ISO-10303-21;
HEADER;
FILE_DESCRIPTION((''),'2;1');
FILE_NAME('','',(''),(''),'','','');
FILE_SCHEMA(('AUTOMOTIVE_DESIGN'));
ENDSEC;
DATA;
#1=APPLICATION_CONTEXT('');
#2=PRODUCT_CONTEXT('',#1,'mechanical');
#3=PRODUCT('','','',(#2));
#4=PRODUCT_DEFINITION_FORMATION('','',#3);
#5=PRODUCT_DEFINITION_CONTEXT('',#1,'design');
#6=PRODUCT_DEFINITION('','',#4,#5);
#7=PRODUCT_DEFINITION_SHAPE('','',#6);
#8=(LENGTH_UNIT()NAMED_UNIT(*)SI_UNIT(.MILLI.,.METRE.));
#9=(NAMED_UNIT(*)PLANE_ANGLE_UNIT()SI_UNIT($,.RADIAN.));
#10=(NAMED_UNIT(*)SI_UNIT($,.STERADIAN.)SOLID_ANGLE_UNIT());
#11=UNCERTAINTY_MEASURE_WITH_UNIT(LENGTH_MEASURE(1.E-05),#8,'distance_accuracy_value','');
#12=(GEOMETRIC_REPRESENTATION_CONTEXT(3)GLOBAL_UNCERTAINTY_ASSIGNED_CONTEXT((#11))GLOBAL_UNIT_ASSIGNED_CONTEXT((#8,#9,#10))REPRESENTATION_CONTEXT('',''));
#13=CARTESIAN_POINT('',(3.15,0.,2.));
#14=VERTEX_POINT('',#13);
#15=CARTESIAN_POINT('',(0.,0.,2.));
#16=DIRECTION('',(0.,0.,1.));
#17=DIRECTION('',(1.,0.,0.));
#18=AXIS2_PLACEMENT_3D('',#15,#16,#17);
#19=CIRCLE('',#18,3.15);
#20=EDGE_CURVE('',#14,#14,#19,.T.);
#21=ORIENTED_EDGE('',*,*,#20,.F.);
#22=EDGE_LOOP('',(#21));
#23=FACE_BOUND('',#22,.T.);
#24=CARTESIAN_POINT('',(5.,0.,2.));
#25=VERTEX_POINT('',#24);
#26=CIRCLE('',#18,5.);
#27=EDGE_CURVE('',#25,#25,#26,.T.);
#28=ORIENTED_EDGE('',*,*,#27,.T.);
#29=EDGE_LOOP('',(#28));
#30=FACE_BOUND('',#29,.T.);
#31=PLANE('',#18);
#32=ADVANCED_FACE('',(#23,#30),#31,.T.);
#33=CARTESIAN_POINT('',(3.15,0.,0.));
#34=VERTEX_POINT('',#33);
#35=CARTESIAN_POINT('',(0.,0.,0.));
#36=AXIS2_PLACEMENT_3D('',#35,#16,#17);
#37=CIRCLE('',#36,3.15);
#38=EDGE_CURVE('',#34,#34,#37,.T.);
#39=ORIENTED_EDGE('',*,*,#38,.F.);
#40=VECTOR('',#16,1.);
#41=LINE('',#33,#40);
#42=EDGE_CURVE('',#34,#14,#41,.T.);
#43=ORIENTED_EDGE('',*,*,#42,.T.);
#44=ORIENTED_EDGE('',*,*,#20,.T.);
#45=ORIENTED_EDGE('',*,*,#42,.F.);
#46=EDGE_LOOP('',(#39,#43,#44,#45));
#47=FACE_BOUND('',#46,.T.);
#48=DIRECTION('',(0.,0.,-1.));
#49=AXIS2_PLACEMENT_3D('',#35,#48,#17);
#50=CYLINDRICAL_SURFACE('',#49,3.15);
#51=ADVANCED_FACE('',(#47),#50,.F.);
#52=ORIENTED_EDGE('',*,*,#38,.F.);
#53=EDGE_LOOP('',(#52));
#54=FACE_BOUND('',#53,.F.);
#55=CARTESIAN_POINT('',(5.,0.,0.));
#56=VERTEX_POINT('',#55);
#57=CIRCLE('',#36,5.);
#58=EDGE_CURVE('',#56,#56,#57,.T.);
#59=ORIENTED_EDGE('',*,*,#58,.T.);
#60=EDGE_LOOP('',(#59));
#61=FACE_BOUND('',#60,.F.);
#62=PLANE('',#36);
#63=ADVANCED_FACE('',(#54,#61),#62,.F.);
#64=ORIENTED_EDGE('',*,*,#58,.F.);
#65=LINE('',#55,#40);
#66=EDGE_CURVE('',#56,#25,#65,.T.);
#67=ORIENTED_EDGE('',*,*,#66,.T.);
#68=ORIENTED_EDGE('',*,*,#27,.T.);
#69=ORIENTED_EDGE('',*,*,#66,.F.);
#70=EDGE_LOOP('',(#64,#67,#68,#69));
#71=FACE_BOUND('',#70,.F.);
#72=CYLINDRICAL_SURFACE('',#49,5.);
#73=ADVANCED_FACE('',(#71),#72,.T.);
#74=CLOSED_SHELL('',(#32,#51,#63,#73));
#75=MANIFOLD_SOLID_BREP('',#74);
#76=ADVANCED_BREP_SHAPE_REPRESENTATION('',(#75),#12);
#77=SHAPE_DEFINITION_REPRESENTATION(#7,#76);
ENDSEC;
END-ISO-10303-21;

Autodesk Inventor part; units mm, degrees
ref_plane "YZ Plane" through (0, 0, 0) normal (1, 0, 0) x (0, 1, 0)
ref_plane "XZ Plane" through (0, 0, 0) normal (0, 1, 0) x (-1, 0, 0)
ref_plane "XY Plane" through (0, 0, 0) normal (0, 0, 1) x (1, 0, 0)
sketch "スケッチ1" plane through (0, 0, 0) normal (0, 0, 1) x (1, 0, 0)
  circle A0 centre (0, 0) radius 3.15
  circle A1 centre (0, 0) radius 5
  dimension "d0" = 6.3
  dimension "d1" = 10
extrude "押し出し1" add sketch "スケッチ1" along normal blind 2
properties part number "TT-0610-201" material "열가소성 수지"
